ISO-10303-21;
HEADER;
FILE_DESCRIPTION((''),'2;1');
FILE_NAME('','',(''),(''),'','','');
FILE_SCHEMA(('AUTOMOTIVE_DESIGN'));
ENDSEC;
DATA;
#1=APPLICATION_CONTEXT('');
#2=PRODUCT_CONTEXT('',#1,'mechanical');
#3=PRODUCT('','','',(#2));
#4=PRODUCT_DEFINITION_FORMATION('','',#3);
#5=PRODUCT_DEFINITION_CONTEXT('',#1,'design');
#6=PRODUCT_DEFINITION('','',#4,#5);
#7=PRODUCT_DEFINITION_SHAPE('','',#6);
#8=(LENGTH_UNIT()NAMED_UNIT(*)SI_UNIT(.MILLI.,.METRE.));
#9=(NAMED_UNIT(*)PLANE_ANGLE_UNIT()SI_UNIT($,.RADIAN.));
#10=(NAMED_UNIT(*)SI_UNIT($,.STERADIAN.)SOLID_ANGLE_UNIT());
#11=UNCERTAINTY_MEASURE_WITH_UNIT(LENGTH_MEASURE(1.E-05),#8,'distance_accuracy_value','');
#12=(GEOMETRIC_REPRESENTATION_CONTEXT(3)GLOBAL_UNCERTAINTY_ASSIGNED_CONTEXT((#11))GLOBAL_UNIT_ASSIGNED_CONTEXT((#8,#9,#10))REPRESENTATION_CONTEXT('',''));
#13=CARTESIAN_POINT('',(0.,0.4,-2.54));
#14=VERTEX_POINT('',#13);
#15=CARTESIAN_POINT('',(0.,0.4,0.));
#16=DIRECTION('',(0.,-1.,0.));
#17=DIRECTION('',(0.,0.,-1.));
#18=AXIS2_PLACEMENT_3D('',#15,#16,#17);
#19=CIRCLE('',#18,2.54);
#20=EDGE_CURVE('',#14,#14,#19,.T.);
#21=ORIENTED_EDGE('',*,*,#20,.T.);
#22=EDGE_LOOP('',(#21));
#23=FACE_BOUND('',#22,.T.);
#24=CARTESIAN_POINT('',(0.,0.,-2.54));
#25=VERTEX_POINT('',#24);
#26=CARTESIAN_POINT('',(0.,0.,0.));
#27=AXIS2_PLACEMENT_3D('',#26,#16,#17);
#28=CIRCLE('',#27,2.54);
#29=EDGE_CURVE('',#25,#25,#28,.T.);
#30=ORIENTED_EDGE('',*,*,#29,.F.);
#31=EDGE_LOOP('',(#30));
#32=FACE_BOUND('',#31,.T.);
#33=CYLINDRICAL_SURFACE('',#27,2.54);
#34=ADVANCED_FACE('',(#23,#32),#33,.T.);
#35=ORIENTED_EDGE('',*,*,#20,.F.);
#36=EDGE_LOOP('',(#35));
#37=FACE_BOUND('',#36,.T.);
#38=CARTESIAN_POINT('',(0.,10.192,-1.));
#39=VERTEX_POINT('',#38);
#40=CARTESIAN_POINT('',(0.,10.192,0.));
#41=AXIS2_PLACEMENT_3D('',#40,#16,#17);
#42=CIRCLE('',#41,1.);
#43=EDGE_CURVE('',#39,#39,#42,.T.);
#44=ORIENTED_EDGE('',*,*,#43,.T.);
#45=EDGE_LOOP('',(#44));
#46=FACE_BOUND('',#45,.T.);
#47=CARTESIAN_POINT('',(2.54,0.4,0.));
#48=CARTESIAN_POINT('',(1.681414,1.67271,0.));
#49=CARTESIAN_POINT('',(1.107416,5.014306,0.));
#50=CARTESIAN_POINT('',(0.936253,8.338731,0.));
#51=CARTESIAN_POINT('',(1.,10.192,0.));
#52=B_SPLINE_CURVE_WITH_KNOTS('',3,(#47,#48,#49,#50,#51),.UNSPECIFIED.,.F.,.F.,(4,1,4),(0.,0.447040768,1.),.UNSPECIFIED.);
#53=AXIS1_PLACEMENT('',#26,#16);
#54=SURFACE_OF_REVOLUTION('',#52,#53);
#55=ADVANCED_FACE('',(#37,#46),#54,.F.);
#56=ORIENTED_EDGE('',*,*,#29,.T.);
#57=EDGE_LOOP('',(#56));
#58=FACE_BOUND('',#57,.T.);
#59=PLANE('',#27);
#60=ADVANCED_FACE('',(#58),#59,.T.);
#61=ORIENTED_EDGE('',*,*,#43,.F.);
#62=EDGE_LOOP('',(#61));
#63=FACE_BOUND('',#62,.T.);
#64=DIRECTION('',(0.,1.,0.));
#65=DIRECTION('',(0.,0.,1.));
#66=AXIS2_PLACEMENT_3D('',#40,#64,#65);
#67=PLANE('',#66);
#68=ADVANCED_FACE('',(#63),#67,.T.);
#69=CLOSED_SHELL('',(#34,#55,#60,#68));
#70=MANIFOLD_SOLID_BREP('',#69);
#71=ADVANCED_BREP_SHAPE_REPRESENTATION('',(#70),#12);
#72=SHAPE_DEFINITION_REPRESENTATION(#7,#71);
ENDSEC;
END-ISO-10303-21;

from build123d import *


with BuildPart() as part:
    # Sketch1 → Revolve1 (revolve)
    with BuildSketch(Plane.XY, mode=Mode.PRIVATE) as revolve1_sk:
        with BuildLine():
            Line((2.54, 0.4), (2.54, 0))
            Line((2.54, 0), (0, 0))
            Line((0, 0), (0, 10.192000012))
            Line((0, 10.192000012), (1, 10.192000012))
            add(Edge.make_bspline(
                [(1, 10.192000012), (0.936252723, 8.338730602), (1.107416255, 5.014306497), (1.681413548, 1.672710351), (2.54, 0.4)],
                knots=[0, 0, 0, 0, 0.552959232, 1, 1, 1, 1], degree=3))
        make_face()
    revolve(revolve1_sk.sketch.rotate(Axis((0, 0, 0), (0, 1, 0)), 90), axis=Axis((0, 0, 0), (0, 1, 0)))


solid = part.part
